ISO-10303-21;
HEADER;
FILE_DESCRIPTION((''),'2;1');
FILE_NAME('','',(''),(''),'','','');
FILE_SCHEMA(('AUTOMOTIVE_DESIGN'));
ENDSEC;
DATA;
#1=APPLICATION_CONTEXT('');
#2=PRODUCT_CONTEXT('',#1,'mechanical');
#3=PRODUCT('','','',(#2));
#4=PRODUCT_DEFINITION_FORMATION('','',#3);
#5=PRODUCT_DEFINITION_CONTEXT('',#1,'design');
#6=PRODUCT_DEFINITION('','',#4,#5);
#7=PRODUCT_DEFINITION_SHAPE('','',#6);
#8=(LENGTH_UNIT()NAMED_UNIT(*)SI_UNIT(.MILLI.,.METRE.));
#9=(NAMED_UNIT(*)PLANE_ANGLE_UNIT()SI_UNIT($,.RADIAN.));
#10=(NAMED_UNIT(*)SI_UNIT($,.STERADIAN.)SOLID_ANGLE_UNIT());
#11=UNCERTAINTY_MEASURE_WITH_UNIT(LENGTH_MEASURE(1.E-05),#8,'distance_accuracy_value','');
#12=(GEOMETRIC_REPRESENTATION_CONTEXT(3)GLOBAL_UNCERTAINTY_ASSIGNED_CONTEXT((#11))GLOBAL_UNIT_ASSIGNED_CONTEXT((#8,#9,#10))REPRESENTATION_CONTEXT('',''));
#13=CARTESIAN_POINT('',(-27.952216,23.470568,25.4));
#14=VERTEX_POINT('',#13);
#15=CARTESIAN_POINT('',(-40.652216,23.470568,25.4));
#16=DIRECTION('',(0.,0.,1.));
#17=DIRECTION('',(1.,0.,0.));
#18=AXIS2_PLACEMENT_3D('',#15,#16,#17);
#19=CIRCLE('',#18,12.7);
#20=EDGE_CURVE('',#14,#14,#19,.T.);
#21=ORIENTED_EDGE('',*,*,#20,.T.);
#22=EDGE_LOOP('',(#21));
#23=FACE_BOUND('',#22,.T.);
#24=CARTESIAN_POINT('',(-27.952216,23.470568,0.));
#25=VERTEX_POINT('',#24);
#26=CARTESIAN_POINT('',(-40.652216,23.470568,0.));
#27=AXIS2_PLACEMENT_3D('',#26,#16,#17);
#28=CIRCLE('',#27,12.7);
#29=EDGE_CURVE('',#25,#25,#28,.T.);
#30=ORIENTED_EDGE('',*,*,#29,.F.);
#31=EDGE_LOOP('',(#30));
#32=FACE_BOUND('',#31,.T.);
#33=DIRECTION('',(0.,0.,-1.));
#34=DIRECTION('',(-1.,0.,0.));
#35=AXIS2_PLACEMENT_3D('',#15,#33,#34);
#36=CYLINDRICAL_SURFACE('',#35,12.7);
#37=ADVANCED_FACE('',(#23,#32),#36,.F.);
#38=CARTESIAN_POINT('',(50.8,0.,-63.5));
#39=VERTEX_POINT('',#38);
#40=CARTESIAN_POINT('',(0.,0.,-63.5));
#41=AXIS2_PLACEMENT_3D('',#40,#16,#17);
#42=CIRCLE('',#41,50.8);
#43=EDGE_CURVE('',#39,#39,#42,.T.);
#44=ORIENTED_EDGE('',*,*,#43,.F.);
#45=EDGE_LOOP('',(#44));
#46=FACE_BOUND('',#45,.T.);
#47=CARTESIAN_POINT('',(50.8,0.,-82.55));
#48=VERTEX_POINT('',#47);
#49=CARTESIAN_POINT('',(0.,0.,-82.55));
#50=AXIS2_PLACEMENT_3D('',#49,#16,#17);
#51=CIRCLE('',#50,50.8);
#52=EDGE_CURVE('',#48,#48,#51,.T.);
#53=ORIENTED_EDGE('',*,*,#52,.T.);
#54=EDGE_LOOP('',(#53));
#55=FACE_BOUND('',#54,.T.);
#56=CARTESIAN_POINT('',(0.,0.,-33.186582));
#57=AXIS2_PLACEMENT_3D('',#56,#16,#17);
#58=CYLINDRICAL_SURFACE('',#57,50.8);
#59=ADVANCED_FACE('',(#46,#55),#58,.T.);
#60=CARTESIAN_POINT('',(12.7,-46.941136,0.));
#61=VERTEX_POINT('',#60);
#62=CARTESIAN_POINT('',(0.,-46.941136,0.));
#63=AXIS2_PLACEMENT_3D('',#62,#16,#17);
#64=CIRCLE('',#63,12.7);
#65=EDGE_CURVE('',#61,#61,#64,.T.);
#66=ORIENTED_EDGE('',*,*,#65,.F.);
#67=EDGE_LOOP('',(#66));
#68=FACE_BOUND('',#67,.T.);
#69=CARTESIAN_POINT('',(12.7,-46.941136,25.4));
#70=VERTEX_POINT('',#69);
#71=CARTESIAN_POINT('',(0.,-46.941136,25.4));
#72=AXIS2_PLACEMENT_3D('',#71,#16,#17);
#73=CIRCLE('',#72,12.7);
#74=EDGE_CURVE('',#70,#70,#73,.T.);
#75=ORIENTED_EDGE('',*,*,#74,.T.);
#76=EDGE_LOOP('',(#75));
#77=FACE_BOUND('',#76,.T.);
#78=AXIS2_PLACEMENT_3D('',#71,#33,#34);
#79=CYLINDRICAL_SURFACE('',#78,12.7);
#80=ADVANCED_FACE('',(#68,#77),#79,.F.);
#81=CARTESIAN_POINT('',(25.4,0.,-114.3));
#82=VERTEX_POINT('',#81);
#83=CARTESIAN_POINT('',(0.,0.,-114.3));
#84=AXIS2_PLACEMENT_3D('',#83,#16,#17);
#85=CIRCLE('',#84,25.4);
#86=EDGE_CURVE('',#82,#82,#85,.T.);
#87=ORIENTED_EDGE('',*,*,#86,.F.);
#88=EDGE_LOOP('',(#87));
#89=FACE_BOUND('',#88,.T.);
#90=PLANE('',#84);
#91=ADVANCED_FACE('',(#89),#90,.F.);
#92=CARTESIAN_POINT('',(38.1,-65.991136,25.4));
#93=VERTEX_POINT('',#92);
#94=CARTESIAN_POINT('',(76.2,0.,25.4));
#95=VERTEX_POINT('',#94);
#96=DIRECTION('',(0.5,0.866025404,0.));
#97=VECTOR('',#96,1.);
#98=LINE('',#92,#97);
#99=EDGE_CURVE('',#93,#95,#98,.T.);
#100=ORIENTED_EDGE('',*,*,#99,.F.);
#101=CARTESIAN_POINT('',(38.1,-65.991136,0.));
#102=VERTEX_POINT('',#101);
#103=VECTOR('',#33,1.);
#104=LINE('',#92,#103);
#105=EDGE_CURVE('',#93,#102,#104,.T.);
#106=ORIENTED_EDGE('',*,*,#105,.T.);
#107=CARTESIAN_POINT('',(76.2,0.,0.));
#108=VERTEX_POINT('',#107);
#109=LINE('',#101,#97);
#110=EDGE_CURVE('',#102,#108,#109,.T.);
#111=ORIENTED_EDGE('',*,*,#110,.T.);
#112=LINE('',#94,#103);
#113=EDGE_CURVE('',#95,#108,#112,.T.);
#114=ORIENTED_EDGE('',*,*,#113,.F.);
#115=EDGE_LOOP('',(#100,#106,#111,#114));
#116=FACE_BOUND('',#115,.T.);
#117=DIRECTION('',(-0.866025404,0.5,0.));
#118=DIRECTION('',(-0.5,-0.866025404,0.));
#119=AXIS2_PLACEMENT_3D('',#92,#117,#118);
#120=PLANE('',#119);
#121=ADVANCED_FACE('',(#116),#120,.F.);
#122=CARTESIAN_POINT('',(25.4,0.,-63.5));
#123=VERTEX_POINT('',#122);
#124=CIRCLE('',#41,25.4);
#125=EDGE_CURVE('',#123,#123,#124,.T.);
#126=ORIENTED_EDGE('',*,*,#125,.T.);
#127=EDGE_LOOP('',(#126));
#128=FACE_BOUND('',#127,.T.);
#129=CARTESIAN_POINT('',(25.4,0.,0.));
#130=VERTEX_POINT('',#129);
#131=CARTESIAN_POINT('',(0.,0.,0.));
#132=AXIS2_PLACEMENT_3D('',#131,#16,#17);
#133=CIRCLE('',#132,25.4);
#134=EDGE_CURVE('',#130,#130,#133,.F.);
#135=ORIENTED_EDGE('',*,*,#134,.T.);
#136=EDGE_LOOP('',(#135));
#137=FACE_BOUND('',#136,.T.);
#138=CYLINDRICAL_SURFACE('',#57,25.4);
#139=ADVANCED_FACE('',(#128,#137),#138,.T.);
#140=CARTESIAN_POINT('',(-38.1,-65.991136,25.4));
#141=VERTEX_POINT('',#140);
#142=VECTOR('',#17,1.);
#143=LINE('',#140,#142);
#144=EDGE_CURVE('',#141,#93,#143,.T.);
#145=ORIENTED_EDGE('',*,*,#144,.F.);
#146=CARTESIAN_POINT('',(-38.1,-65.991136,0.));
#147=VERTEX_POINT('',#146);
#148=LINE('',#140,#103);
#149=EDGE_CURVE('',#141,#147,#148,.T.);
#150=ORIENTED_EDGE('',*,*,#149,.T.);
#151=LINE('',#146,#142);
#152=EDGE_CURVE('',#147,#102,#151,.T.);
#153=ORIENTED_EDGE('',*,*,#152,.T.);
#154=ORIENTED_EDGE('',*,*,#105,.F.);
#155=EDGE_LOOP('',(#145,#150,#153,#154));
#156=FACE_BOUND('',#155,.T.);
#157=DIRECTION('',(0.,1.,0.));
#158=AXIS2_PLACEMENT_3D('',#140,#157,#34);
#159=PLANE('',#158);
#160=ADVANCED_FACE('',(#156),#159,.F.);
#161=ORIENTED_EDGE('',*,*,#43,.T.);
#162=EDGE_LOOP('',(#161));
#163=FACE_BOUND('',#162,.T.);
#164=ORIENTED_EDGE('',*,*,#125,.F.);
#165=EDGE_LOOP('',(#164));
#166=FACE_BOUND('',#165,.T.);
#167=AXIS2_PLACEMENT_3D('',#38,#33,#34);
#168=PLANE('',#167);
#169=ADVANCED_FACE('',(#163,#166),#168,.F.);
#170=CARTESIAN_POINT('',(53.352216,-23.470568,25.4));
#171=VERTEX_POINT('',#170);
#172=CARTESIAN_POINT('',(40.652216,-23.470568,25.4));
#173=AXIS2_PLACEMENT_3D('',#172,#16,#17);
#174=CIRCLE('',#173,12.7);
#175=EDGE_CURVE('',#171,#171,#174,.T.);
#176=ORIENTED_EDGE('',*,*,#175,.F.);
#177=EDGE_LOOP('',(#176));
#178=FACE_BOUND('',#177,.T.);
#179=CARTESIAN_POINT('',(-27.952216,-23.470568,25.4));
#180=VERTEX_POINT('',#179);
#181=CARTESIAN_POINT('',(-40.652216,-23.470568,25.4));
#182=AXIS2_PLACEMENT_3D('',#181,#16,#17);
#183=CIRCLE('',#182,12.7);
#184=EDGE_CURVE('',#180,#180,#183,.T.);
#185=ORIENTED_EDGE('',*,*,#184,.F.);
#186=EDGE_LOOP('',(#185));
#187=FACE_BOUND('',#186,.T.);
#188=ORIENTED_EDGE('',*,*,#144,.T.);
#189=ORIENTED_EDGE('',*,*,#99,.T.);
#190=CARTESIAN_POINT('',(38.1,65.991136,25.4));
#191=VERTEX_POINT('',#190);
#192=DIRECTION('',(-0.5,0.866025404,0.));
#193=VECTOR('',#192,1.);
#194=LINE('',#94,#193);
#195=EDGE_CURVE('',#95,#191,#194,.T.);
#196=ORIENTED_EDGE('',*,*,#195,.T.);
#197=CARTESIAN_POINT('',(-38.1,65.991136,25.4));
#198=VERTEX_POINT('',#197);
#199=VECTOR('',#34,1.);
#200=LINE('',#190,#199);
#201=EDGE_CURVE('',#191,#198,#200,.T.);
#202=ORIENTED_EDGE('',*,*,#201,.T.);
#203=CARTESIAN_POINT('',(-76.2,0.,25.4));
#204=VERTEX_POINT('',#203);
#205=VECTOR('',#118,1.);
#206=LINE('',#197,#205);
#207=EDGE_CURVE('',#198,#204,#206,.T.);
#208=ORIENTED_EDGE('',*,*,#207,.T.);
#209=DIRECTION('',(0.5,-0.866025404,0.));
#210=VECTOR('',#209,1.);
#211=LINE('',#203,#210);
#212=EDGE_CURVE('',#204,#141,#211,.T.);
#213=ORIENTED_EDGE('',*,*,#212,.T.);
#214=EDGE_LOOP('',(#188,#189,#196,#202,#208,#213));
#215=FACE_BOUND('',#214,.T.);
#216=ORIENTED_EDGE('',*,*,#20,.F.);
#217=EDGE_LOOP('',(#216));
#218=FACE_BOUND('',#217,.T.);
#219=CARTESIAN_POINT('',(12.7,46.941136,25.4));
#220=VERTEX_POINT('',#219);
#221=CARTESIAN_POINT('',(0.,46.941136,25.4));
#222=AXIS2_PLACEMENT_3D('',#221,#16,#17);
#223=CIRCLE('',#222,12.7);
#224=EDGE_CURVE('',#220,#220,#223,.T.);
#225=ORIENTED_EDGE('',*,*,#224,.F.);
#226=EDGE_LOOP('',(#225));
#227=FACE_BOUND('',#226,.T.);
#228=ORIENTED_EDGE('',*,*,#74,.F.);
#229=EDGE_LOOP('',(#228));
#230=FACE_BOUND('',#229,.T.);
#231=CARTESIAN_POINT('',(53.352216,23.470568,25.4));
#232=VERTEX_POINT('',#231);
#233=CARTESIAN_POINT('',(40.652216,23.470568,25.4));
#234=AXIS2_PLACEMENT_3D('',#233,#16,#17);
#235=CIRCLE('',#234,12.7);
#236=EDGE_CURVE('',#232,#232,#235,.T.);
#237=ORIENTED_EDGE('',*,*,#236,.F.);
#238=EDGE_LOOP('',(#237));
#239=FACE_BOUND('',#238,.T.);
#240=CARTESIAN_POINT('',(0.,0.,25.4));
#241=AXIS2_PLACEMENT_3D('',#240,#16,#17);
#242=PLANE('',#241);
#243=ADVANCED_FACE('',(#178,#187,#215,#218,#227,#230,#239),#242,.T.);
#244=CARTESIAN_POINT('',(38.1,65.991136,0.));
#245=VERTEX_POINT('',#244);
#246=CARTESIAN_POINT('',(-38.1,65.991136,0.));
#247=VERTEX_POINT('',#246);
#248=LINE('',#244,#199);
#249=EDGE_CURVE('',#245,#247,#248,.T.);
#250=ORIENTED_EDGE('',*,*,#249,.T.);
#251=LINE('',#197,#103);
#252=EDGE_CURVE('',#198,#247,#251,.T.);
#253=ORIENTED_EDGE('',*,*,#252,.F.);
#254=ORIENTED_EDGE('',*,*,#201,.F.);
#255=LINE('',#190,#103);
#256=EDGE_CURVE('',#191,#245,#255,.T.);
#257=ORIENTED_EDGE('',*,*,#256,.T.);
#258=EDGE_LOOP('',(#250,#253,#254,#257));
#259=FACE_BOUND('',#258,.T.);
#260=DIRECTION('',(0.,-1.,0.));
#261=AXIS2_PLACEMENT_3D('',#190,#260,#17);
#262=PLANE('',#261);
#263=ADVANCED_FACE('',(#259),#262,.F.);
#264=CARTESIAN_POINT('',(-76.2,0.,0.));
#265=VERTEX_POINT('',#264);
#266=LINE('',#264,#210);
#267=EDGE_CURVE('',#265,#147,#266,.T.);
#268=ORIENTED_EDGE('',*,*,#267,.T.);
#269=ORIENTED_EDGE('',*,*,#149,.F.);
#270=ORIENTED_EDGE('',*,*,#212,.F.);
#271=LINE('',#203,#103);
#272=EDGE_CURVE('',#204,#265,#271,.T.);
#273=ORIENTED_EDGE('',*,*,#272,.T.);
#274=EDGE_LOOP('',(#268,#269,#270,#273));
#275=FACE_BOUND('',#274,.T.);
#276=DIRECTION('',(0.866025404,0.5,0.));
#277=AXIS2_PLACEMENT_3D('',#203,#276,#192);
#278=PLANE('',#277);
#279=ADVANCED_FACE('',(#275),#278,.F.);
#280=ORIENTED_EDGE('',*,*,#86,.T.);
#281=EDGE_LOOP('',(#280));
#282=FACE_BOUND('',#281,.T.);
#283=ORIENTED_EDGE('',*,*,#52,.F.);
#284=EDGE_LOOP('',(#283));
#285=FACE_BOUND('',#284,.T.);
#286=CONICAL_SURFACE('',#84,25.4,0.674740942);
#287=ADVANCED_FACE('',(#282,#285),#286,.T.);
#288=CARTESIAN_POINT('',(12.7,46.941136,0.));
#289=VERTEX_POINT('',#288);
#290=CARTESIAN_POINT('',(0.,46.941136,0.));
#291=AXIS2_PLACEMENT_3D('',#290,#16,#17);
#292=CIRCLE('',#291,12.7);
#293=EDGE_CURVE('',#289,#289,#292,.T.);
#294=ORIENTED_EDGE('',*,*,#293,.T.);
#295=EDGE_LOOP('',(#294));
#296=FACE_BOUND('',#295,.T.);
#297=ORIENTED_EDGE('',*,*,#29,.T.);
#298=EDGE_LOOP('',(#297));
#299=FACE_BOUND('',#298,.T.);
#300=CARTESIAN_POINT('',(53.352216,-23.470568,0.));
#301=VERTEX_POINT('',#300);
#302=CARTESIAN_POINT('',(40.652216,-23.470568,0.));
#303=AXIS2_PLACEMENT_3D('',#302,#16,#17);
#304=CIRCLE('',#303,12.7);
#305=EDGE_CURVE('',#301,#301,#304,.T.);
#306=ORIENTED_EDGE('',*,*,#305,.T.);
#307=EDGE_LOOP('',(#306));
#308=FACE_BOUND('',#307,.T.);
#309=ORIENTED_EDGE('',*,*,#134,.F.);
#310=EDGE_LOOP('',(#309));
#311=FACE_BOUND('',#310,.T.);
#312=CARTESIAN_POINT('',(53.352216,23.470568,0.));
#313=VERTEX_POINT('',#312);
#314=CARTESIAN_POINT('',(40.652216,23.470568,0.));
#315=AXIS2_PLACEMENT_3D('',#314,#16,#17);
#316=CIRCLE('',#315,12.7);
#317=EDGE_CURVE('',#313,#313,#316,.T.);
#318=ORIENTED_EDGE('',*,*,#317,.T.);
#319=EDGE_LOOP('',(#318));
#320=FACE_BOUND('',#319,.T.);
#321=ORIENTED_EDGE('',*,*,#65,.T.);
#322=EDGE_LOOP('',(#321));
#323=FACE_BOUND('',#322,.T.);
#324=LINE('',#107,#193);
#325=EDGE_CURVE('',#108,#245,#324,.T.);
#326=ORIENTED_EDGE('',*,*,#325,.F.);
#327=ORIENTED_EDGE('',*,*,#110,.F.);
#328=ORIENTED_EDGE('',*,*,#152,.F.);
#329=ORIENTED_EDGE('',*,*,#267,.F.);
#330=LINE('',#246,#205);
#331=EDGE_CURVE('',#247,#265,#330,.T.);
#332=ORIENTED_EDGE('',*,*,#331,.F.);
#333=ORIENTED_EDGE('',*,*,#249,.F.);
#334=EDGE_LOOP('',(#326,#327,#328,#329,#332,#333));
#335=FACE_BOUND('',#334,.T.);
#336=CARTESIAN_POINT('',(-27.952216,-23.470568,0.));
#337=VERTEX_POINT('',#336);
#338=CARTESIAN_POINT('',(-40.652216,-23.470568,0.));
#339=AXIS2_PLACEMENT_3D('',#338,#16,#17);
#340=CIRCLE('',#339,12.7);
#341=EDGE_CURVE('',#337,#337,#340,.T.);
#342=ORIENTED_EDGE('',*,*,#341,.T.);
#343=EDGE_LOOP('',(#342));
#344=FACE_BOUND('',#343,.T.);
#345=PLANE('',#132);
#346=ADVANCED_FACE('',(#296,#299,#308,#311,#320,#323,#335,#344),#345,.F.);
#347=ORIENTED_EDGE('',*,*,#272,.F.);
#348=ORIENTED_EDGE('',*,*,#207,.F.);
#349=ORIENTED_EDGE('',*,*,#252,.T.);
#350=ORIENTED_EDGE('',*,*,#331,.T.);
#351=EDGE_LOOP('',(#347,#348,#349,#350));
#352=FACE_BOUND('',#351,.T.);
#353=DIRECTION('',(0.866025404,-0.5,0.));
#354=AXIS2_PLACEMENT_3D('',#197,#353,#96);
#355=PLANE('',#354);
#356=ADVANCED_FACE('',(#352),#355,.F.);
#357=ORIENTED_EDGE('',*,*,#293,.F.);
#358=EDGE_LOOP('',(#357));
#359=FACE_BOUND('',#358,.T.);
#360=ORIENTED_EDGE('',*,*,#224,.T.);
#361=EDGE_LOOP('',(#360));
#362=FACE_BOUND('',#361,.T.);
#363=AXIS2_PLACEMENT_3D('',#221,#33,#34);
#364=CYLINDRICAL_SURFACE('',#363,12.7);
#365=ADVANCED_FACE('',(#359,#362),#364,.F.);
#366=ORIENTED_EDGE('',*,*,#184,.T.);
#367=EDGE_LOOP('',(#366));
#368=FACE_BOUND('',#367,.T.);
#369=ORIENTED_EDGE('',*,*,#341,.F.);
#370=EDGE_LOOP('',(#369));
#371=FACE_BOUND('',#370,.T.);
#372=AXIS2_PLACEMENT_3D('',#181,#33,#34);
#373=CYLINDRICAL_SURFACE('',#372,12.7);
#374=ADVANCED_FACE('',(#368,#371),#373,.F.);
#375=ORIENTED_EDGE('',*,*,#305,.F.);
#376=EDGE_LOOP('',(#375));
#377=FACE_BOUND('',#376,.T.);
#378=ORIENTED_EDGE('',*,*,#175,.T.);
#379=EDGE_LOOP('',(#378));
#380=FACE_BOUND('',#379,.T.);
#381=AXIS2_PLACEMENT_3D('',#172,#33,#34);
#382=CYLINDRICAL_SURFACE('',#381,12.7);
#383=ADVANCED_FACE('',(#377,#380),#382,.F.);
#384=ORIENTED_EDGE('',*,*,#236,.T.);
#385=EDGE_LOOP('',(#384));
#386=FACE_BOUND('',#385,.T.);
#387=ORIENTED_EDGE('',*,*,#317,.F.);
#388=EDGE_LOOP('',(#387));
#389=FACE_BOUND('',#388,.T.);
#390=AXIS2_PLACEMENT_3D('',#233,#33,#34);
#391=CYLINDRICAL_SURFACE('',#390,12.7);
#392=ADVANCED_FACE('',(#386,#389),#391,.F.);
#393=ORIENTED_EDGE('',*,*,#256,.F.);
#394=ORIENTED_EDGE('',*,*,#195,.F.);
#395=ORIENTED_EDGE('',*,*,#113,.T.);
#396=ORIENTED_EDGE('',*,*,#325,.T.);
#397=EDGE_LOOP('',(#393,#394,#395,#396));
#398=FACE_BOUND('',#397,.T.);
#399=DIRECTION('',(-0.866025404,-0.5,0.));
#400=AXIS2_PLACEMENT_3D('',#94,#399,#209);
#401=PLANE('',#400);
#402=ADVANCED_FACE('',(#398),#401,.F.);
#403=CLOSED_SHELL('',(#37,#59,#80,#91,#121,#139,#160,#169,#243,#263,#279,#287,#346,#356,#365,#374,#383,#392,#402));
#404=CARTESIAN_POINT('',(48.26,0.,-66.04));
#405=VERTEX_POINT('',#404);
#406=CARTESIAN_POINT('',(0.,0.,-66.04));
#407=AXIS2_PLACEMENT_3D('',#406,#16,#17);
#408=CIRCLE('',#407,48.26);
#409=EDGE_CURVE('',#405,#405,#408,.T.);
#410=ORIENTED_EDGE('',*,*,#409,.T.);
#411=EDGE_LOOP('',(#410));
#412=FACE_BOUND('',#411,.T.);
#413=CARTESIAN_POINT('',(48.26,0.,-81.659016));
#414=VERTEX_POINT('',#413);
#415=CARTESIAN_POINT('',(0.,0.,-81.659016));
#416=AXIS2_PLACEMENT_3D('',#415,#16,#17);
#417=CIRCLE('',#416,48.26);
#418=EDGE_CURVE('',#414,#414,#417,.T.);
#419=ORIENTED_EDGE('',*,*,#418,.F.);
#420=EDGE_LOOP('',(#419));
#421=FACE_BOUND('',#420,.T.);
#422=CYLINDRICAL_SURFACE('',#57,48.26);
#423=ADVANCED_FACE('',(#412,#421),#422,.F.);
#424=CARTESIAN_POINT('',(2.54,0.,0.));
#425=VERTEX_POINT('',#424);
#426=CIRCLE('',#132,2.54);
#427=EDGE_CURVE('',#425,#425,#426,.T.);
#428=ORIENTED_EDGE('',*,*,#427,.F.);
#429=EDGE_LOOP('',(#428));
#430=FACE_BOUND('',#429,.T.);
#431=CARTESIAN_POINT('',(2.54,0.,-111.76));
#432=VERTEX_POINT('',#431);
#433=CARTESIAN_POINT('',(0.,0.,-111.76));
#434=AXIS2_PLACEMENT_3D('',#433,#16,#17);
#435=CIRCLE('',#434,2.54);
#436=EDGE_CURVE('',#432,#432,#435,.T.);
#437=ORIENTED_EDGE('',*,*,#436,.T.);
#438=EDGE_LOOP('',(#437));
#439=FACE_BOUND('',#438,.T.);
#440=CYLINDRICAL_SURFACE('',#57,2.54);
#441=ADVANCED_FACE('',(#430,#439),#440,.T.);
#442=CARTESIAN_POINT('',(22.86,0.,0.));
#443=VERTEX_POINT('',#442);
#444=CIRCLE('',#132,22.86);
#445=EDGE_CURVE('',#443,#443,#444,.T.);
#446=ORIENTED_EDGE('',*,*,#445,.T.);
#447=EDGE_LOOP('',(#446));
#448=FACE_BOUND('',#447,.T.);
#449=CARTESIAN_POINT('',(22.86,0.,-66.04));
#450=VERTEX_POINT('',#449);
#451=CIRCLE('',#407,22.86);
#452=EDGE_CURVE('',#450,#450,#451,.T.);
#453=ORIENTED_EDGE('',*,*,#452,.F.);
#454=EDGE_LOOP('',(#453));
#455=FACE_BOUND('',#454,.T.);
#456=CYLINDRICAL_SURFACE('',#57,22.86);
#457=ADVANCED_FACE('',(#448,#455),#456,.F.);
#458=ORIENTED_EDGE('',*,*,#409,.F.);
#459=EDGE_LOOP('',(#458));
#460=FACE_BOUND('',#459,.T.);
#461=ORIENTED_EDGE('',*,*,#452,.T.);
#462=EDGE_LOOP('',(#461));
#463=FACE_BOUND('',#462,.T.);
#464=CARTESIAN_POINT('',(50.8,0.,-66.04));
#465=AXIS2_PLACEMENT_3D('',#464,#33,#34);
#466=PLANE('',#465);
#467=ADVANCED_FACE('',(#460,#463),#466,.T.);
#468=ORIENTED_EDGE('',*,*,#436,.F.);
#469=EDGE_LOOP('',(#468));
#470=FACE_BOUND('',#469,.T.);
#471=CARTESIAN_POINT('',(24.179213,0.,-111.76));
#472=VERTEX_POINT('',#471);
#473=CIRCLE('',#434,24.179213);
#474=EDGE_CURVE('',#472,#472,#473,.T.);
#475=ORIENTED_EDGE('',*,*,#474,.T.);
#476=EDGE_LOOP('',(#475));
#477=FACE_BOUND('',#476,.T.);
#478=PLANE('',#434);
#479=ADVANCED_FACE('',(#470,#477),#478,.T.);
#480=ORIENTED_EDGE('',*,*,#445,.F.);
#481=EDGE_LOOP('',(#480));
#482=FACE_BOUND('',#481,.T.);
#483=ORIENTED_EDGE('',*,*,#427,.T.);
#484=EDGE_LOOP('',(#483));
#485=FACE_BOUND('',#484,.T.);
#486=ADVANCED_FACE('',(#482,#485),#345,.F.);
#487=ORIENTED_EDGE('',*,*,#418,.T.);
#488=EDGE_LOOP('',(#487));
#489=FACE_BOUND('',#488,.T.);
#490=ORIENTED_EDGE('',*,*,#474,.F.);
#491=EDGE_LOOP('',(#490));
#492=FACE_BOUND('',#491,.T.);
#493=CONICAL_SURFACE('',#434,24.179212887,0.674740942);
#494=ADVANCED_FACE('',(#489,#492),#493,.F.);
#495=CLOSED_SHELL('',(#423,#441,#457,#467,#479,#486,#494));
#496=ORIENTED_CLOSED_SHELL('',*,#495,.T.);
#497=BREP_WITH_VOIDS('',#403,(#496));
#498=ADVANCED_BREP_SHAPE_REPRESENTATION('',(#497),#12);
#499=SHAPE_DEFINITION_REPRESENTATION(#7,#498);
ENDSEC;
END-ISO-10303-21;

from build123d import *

# Parameters (mm, degrees)
SKETCH1_R           = 12.7
BOSS_EXTRUDE3_DEPTH = 25.4


with BuildPart() as part:
    # Sketch1 → Boss-Extrude3 (new body)
    with BuildSketch(Plane.XY):
        Polygon((-76.2, 0), (-38.1, -65.991135768), (38.1, -65.991135768), (76.2, 0), (38.1, 65.991135768), (-38.1, 65.991135768), align=None)
        with Locations((0, -46.941135768)):
            Circle(SKETCH1_R, mode=Mode.SUBTRACT)
        with Locations((-40.652216058, -23.470567884)):
            Circle(SKETCH1_R, mode=Mode.SUBTRACT)
        with Locations((-40.652216058, 23.470567884)):
            Circle(SKETCH1_R, mode=Mode.SUBTRACT)
        with Locations((0, 46.941135768)):
            Circle(SKETCH1_R, mode=Mode.SUBTRACT)
        with Locations((40.652216058, 23.470567884)):
            Circle(SKETCH1_R, mode=Mode.SUBTRACT)
        with Locations((40.652216058, -23.470567884)):
            Circle(SKETCH1_R, mode=Mode.SUBTRACT)
    extrude(amount=BOSS_EXTRUDE3_DEPTH)

    # Sketch2 → Revolve-Thin1 (revolve)
    with BuildSketch(Plane(origin=(0, 0, 0), x_dir=(1, 0, 0), z_dir=(0, 1, 0))):
        Polygon((0, 0), (0, 114.3), (25.4, 114.3), (50.8, 82.55), (50.8, 63.5), (25.4, 63.5), (25.4, 0), (22.86, 0), (22.86, 66.04), (48.26, 66.04), (48.26, 81.659016109), (24.179212887, 111.76), (2.54, 111.76), (2.54, 0), align=None)
    revolve(axis=Axis((0, 0, -33.186581784), (0, 0, -1)))


solid = part.part
